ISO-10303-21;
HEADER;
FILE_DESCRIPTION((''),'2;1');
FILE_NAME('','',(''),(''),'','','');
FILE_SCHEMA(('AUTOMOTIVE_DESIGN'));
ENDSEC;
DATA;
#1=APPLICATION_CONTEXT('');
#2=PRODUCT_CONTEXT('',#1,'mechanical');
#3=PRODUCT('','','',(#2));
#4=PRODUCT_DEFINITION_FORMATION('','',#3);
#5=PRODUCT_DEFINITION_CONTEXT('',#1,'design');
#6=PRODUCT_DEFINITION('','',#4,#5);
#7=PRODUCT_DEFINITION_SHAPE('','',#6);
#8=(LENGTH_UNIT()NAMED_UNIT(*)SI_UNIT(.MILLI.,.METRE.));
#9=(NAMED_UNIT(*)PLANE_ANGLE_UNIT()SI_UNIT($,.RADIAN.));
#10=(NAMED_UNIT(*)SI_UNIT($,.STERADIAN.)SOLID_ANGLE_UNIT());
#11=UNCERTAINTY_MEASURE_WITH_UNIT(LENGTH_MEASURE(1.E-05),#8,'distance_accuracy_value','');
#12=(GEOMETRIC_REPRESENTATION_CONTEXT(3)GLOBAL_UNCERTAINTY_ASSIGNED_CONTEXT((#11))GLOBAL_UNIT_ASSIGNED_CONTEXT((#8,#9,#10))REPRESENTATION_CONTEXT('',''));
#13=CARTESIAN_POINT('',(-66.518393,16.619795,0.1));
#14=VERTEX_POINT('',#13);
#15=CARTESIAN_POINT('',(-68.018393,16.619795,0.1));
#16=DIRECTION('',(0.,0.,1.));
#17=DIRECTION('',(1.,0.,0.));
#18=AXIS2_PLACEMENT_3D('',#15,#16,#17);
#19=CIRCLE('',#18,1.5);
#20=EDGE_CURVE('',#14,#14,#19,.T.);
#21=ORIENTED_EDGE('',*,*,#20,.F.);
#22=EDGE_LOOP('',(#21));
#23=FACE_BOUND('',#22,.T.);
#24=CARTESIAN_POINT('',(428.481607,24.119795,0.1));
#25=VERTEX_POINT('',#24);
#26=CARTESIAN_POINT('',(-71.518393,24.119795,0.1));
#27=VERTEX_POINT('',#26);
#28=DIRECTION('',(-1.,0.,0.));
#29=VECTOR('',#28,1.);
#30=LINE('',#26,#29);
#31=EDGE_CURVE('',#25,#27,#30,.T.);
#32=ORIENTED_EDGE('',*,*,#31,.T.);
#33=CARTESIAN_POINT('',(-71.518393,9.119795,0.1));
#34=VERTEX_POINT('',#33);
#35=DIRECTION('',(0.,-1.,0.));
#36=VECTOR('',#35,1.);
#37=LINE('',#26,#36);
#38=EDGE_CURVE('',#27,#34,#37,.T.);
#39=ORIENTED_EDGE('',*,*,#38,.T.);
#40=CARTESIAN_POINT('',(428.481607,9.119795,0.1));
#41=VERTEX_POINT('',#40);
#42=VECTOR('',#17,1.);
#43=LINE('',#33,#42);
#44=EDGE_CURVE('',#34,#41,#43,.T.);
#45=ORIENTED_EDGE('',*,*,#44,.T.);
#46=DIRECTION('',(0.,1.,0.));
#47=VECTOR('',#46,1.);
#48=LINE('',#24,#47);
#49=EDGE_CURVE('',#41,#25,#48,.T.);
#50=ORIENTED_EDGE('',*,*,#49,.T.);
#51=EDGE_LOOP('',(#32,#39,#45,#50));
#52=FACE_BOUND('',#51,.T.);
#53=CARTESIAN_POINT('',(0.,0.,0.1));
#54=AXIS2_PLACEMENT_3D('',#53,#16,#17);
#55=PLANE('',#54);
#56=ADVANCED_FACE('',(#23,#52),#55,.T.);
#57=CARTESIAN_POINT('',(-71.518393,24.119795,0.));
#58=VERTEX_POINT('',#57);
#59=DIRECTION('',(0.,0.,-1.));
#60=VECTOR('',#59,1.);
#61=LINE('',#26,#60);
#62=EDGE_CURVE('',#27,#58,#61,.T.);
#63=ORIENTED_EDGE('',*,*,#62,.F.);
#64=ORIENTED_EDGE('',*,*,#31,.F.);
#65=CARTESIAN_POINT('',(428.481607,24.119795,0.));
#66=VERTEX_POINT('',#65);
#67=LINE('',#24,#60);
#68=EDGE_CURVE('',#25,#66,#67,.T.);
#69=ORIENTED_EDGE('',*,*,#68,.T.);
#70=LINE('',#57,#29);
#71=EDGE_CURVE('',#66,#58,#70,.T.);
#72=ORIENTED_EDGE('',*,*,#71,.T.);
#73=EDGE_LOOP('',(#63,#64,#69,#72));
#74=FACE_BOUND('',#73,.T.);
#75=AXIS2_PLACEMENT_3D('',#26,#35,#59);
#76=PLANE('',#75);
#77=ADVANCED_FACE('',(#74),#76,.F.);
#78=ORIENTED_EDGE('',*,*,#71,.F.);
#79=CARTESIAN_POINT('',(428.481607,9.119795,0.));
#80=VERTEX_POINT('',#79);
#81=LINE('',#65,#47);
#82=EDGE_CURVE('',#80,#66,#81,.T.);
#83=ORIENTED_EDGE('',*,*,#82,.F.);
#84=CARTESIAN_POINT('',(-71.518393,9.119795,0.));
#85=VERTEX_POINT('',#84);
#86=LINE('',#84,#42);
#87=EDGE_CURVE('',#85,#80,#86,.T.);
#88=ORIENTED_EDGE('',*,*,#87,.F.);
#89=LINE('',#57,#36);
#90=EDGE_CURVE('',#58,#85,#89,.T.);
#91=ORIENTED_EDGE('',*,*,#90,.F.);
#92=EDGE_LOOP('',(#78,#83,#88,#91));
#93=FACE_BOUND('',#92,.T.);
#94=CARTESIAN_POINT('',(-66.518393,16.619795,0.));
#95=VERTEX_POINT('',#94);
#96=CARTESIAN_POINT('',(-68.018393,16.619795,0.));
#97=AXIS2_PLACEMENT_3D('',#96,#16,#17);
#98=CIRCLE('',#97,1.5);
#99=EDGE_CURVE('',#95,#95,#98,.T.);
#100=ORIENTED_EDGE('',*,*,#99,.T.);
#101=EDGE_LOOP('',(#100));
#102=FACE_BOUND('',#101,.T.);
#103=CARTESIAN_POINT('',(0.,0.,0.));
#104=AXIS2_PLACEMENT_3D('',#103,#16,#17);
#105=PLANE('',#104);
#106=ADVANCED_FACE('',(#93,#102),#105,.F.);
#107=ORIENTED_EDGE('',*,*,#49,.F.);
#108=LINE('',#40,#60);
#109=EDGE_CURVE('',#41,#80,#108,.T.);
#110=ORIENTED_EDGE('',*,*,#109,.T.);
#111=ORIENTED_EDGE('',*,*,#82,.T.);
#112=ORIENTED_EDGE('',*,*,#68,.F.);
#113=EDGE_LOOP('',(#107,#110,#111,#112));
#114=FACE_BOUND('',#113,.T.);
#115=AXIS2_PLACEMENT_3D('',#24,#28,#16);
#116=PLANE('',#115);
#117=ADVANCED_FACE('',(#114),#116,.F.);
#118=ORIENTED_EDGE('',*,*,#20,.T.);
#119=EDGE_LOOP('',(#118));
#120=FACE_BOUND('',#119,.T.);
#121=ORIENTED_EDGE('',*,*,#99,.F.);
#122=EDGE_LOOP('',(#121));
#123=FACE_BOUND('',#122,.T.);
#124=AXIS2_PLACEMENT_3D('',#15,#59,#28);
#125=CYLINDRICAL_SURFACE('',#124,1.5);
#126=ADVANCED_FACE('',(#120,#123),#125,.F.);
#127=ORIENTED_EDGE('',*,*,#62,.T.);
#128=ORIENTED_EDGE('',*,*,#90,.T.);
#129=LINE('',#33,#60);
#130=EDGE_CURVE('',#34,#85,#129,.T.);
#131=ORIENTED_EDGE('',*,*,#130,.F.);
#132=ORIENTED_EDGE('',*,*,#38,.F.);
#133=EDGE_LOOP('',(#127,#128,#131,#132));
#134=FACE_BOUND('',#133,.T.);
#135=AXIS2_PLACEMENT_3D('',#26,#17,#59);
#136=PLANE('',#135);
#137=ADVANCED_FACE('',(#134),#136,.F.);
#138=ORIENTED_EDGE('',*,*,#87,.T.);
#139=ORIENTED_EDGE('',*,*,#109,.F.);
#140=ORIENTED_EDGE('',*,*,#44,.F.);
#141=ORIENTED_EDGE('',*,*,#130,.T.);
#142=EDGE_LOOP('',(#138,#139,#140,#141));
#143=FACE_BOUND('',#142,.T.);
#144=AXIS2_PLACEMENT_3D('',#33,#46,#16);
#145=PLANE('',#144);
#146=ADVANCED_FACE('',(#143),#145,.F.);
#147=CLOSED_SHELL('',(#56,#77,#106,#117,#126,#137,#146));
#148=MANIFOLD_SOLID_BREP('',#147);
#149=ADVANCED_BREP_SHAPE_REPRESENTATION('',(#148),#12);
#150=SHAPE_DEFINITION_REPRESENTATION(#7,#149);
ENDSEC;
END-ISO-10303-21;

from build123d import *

# Parameters (mm, degrees)
SKETCH1_W           = 500
SKETCH1_H           = 15
SKETCH1_R           = 1.5
BOSS_EXTRUDE3_DEPTH = 0.1


with BuildPart() as part:
    # Sketch1 → Boss-Extrude3 (new body)
    with BuildSketch(Plane.XY):
        with Locations((178.481607335, 16.619795038)):
            Rectangle(SKETCH1_W, SKETCH1_H)
        with Locations((-68.018392665, 16.619795038)):
            Circle(SKETCH1_R, mode=Mode.SUBTRACT)
    extrude(amount=BOSS_EXTRUDE3_DEPTH)


solid = part.part
